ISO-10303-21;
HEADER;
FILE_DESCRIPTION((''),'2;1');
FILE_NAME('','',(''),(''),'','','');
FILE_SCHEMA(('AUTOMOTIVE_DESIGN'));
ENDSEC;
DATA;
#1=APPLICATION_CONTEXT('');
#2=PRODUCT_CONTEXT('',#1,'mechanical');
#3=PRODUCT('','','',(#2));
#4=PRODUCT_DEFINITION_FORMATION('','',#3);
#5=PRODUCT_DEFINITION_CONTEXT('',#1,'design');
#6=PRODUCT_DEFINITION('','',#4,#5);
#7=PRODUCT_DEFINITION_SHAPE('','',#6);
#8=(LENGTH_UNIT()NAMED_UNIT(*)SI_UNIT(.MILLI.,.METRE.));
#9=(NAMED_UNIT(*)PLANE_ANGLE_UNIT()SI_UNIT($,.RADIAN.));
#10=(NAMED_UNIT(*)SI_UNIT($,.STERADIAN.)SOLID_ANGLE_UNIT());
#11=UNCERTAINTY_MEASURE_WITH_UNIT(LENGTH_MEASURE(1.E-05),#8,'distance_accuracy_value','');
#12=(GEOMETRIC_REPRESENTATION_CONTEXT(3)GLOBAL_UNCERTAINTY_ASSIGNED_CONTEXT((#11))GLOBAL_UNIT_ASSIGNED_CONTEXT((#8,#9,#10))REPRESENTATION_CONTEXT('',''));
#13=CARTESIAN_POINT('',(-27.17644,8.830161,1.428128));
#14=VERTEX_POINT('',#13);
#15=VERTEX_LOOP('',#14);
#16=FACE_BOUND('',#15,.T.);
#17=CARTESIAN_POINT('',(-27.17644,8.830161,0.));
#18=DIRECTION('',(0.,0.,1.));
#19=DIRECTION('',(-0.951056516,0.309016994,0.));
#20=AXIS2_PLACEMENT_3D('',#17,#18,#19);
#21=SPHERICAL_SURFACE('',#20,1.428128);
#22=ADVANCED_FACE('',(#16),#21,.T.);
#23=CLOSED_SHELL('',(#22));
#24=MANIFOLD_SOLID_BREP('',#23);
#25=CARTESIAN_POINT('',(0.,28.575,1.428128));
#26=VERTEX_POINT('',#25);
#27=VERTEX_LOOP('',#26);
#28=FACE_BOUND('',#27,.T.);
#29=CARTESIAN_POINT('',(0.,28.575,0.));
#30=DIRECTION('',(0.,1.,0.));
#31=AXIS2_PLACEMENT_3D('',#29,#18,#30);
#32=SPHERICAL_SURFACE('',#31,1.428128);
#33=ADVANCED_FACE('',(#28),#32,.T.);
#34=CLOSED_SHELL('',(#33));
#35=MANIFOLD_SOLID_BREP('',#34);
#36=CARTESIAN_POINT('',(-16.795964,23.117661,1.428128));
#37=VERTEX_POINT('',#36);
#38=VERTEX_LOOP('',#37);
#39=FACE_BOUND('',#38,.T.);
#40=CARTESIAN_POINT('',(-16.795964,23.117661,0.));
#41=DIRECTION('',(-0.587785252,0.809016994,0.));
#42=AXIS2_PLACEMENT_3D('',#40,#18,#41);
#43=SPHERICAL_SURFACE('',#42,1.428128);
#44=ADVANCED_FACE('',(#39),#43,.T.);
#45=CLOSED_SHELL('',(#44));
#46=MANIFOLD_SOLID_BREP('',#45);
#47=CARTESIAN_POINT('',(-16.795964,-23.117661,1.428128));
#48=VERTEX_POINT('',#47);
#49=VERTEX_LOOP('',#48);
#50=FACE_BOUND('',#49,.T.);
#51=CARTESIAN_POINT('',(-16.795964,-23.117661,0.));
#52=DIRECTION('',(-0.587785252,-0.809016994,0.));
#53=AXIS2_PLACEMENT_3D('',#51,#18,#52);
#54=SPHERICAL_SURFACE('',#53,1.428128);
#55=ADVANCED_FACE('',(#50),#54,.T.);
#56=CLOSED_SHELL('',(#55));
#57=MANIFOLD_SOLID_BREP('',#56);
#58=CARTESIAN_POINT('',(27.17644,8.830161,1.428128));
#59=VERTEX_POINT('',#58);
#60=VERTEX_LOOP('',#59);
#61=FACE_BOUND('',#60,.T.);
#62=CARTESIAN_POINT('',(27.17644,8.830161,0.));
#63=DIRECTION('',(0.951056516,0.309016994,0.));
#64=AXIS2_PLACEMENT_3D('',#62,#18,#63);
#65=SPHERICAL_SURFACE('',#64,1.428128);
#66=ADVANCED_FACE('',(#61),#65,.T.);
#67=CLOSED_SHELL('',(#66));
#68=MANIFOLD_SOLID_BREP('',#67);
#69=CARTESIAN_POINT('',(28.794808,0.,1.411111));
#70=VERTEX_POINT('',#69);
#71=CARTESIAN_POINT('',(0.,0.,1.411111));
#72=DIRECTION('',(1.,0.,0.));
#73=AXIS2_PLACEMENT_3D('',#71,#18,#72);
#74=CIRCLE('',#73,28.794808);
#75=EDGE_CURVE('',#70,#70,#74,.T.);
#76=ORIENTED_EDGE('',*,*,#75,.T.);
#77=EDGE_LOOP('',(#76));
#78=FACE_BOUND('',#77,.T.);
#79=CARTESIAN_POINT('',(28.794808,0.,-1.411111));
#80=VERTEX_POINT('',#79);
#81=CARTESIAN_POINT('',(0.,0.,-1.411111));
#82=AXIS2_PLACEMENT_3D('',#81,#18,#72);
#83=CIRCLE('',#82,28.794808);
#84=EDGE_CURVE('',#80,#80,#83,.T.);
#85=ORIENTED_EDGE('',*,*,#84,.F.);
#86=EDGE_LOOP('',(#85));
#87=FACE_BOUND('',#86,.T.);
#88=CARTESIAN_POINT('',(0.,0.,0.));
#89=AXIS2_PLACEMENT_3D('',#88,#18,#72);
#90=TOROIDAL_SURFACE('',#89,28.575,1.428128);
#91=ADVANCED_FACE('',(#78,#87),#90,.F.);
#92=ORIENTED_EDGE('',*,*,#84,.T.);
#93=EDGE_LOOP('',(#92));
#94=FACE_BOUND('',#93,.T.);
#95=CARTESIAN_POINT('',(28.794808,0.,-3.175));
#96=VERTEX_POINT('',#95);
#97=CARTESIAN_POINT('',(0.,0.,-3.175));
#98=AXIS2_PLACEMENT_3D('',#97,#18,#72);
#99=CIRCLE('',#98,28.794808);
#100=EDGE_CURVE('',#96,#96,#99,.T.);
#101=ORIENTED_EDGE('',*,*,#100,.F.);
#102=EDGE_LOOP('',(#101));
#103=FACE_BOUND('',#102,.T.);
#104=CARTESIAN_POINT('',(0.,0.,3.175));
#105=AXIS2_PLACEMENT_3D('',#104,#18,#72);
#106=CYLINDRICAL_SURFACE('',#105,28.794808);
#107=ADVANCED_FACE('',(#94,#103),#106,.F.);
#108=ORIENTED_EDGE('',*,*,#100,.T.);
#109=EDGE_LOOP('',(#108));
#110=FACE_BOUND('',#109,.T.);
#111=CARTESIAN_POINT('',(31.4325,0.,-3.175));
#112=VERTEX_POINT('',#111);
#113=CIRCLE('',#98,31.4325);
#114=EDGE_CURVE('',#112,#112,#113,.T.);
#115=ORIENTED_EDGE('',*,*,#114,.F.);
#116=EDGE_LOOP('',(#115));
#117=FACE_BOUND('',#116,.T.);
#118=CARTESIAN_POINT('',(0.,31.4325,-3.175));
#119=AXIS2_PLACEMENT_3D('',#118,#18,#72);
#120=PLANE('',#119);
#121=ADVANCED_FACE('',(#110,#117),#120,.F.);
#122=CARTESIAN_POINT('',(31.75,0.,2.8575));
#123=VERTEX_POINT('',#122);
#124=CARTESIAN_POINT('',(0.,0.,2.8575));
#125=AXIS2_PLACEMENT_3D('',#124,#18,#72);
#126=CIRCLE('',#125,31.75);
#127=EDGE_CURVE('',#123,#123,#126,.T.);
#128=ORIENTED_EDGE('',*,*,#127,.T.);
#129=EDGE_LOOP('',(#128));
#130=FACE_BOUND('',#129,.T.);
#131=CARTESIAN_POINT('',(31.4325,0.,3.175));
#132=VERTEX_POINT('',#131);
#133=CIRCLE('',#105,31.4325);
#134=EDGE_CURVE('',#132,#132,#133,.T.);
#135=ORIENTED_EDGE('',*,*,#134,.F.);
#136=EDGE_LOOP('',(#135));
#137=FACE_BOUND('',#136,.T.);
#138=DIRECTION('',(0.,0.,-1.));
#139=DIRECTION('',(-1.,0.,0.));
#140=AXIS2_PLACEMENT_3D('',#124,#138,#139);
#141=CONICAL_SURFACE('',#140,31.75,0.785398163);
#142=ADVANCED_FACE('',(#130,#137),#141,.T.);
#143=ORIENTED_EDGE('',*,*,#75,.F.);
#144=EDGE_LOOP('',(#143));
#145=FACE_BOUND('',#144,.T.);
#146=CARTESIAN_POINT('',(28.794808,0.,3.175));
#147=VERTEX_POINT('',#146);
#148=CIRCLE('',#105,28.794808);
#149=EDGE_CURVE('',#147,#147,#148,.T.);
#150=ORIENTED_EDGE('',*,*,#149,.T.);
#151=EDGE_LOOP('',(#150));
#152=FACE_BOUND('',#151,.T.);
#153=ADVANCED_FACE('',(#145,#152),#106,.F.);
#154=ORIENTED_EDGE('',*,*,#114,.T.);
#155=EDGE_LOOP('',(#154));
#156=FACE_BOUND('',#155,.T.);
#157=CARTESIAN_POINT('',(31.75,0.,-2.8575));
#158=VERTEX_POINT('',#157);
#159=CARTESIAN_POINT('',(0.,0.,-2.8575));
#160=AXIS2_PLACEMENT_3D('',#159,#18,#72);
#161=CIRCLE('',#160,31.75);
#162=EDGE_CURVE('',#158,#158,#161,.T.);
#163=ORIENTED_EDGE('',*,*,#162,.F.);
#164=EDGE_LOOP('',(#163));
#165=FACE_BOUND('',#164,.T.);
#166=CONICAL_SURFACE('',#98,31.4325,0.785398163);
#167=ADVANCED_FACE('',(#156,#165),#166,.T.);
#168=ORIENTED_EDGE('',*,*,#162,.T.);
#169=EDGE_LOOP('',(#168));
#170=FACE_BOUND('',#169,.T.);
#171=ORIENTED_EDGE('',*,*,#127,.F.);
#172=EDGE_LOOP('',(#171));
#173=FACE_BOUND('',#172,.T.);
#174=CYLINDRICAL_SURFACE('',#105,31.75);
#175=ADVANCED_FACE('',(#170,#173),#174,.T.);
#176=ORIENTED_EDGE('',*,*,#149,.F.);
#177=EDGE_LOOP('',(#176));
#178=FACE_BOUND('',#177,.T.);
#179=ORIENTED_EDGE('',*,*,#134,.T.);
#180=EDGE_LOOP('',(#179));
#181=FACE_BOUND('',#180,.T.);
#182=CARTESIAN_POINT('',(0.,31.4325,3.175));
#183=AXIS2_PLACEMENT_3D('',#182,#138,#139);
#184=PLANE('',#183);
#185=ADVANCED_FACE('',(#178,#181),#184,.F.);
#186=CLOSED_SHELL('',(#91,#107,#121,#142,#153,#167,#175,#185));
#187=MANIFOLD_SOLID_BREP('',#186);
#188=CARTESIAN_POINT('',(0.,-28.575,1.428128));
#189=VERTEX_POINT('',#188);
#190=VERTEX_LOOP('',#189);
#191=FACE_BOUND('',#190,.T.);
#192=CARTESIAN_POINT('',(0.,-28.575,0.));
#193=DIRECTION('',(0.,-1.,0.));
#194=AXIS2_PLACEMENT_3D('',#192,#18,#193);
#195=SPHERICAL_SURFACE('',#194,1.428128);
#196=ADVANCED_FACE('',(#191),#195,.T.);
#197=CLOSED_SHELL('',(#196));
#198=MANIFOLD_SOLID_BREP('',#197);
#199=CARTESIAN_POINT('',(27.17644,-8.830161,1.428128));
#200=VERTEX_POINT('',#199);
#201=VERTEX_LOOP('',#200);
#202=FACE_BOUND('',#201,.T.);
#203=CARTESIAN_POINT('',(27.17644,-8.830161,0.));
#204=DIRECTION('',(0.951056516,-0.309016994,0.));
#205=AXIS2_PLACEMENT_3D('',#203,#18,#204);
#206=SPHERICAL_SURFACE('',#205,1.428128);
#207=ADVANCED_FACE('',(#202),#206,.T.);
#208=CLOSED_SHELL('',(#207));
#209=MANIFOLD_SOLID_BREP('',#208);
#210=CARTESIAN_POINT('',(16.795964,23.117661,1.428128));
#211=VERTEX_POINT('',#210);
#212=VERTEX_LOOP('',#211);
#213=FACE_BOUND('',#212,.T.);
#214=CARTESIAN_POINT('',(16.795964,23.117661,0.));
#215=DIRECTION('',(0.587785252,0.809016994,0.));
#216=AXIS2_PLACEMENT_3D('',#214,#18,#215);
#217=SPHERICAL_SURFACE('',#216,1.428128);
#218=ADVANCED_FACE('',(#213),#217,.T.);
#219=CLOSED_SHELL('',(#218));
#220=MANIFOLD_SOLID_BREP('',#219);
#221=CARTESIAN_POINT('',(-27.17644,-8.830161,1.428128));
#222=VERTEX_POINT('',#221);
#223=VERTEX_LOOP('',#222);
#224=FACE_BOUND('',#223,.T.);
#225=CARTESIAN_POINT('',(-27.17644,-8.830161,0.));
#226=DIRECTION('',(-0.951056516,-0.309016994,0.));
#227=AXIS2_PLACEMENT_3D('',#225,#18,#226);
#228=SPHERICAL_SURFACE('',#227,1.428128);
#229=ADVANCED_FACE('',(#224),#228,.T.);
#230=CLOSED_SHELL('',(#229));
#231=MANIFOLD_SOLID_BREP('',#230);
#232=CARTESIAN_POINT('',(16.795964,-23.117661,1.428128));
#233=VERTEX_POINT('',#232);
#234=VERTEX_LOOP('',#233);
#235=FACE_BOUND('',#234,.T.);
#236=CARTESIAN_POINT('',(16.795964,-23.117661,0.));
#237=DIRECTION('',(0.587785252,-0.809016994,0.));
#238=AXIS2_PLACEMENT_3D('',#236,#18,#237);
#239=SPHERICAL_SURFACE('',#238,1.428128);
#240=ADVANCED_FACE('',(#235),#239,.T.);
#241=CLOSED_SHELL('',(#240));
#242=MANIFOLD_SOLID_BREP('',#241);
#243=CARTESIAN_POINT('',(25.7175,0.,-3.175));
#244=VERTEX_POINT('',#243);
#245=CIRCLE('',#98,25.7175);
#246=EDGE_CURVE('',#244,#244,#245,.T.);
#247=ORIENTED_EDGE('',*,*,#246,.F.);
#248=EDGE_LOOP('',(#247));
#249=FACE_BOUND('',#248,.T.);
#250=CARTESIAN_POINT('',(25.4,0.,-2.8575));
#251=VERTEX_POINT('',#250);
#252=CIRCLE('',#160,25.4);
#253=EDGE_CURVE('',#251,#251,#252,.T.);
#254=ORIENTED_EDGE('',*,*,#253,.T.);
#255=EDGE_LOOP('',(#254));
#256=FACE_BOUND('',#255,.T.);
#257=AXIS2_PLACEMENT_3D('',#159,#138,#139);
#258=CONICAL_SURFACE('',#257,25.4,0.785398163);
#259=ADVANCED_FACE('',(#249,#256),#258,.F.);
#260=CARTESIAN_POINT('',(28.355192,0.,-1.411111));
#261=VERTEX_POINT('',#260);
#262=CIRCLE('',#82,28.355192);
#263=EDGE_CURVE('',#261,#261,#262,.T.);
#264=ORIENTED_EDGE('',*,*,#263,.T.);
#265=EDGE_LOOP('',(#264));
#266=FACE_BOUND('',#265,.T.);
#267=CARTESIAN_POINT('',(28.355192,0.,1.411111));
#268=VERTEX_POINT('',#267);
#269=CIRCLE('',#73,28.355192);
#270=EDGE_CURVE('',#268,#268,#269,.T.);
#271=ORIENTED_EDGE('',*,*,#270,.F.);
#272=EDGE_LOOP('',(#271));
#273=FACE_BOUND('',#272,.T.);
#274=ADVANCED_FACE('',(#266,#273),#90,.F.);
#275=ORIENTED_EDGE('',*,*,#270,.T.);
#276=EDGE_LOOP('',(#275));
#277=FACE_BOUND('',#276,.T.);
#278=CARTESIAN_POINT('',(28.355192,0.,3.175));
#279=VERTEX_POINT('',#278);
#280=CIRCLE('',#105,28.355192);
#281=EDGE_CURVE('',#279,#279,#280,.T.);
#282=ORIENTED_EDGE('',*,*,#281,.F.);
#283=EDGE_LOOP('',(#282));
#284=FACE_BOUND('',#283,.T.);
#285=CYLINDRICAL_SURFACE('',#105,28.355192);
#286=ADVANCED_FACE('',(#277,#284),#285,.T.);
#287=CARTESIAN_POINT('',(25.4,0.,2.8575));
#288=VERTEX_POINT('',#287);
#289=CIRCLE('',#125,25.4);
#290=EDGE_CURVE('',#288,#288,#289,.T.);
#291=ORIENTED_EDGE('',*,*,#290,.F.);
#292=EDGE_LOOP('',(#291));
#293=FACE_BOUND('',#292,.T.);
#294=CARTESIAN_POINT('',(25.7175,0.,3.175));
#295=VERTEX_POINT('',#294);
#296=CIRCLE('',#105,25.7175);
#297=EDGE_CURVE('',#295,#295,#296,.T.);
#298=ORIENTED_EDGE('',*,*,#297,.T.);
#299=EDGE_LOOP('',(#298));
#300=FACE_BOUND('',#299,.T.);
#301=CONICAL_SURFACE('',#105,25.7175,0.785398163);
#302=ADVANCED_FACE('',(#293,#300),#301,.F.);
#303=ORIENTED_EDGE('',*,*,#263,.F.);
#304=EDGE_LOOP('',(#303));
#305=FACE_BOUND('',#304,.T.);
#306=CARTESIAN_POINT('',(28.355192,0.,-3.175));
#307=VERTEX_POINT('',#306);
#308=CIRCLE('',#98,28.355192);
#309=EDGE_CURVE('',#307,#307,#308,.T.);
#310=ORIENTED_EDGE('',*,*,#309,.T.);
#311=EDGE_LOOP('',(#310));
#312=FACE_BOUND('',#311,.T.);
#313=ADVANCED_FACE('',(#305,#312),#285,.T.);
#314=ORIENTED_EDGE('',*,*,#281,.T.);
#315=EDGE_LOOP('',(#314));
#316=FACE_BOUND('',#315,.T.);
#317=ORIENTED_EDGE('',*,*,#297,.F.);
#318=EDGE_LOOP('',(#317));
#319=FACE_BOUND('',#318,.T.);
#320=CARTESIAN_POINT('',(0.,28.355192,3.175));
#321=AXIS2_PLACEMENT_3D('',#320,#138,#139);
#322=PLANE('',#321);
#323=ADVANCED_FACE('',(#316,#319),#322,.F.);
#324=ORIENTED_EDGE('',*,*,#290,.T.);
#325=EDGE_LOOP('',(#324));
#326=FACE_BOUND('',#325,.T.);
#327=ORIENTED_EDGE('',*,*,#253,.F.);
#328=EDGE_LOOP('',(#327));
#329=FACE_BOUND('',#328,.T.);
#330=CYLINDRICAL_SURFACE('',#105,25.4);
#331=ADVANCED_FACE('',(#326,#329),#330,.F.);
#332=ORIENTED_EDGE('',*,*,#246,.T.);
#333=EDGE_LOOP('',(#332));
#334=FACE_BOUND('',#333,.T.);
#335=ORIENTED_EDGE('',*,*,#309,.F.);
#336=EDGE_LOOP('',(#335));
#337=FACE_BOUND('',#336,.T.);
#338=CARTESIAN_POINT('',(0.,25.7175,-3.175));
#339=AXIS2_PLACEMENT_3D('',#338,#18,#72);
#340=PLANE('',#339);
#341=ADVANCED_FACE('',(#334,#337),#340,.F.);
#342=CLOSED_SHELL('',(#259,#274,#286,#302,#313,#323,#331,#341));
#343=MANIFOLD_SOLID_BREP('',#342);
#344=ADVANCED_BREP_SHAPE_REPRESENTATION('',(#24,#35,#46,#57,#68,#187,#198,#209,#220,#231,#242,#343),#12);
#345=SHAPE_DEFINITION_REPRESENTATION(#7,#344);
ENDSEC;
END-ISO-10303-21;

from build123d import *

# Parameters (mm, degrees)
CIRPATTERN1_COUNT = 10


with BuildPart() as part:
    # Sketch1 → Revolve1 (revolve)
    with BuildSketch(Plane(origin=(0, 0, 0), x_dir=(0, 0, -1), z_dir=(1, 0, 0)), mode=Mode.PRIVATE) as revolve1_sk:
        with BuildLine():
            Line((2.8575, 31.75), (-2.8575, 31.75))
            Line((-2.8575, 31.75), (-3.175, 31.4325))
            Line((-3.175, 31.4325), (-3.175, 28.794807692))
            Line((-3.175, 28.794807692), (-1.411111111, 28.794807692))
            ThreePointArc((-1.411111111, 28.794807692), (0, 30.003128142), (1.411111111, 28.794807692))
            Line((1.411111111, 28.794807692), (3.175, 28.794807692))
            Line((3.175, 28.794807692), (3.175, 31.4325))
            Line((3.175, 31.4325), (2.8575, 31.75))
        make_face()
    revolve(revolve1_sk.sketch.rotate(Axis((0, 0, 3.175), (0, 0, -1)), 90), axis=Axis((0, 0, 3.175), (0, 0, -1)))


with BuildPart() as body_2:
    # Sketch3 → Revolve3 (revolve)
    with BuildSketch(Plane(origin=(0, 0, 0), x_dir=(0, 0, -1), z_dir=(1, 0, 0)), mode=Mode.PRIVATE) as revolve3_sk:
        with BuildLine():
            Line((-3.175, 28.355192308), (-1.411111111, 28.355192308))
            ThreePointArc((-1.411111111, 28.355192308), (0, 27.146871858), (1.411111111, 28.355192308))
            Line((1.411111111, 28.355192308), (3.175, 28.355192308))
            Line((3.175, 28.355192308), (3.175, 25.7175))
            Line((3.175, 25.7175), (2.8575, 25.4))
            Line((2.8575, 25.4), (-2.8575, 25.4))
            Line((-2.8575, 25.4), (-3.175, 25.7175))
            Line((-3.175, 25.7175), (-3.175, 28.355192308))
        make_face()
    revolve(revolve3_sk.sketch.rotate(Axis((0, 0, 3.175), (0, 0, -1)), 90), axis=Axis((0, 0, 3.175), (0, 0, -1)))


with BuildPart() as body_3:
    # Sketch4 → Revolve4 (revolve)
    with BuildSketch(Plane(origin=(0, 0, 0), x_dir=(0, 0, -1), z_dir=(1, 0, 0))):
        with BuildLine():
            Line((-1.428128142, 28.575), (1.428128142, 28.575))
            ThreePointArc((1.428128142, 28.575), (0, 30.003128142), (-1.428128142, 28.575))
        make_face()
    revolve(axis=Axis((0, 28.575, 1.428128142), (0, 0, -1)))


with BuildPart() as cirpattern1_1:
    # CirPattern1: pattern copy
    add(body_3.part.rotate(Axis((0, 0, 0), (0, 0, 1)), 1 * 360 / CIRPATTERN1_COUNT))


with BuildPart() as cirpattern1_2:
    # CirPattern1: pattern copy
    add(body_3.part.rotate(Axis((0, 0, 0), (0, 0, 1)), 2 * 360 / CIRPATTERN1_COUNT))


with BuildPart() as cirpattern1_3:
    # CirPattern1: pattern copy
    add(body_3.part.rotate(Axis((0, 0, 0), (0, 0, 1)), 3 * 360 / CIRPATTERN1_COUNT))


with BuildPart() as cirpattern1_4:
    # CirPattern1: pattern copy
    add(body_3.part.rotate(Axis((0, 0, 0), (0, 0, 1)), 4 * 360 / CIRPATTERN1_COUNT))


with BuildPart() as cirpattern1_5:
    # CirPattern1: pattern copy
    add(body_3.part.rotate(Axis((0, 0, 0), (0, 0, 1)), 5 * 360 / CIRPATTERN1_COUNT))


with BuildPart() as cirpattern1_6:
    # CirPattern1: pattern copy
    add(body_3.part.rotate(Axis((0, 0, 0), (0, 0, 1)), 6 * 360 / CIRPATTERN1_COUNT))


with BuildPart() as cirpattern1_7:
    # CirPattern1: pattern copy
    add(body_3.part.rotate(Axis((0, 0, 0), (0, 0, 1)), 7 * 360 / CIRPATTERN1_COUNT))


with BuildPart() as cirpattern1_8:
    # CirPattern1: pattern copy
    add(body_3.part.rotate(Axis((0, 0, 0), (0, 0, 1)), 8 * 360 / CIRPATTERN1_COUNT))


with BuildPart() as cirpattern1_9:
    # CirPattern1: pattern copy
    add(body_3.part.rotate(Axis((0, 0, 0), (0, 0, 1)), 9 * 360 / CIRPATTERN1_COUNT))


solid = Compound([part.part, body_2.part, body_3.part, cirpattern1_1.part, cirpattern1_2.part, cirpattern1_3.part, cirpattern1_4.part, cirpattern1_5.part, cirpattern1_6.part, cirpattern1_7.part, cirpattern1_8.part, cirpattern1_9.part])
